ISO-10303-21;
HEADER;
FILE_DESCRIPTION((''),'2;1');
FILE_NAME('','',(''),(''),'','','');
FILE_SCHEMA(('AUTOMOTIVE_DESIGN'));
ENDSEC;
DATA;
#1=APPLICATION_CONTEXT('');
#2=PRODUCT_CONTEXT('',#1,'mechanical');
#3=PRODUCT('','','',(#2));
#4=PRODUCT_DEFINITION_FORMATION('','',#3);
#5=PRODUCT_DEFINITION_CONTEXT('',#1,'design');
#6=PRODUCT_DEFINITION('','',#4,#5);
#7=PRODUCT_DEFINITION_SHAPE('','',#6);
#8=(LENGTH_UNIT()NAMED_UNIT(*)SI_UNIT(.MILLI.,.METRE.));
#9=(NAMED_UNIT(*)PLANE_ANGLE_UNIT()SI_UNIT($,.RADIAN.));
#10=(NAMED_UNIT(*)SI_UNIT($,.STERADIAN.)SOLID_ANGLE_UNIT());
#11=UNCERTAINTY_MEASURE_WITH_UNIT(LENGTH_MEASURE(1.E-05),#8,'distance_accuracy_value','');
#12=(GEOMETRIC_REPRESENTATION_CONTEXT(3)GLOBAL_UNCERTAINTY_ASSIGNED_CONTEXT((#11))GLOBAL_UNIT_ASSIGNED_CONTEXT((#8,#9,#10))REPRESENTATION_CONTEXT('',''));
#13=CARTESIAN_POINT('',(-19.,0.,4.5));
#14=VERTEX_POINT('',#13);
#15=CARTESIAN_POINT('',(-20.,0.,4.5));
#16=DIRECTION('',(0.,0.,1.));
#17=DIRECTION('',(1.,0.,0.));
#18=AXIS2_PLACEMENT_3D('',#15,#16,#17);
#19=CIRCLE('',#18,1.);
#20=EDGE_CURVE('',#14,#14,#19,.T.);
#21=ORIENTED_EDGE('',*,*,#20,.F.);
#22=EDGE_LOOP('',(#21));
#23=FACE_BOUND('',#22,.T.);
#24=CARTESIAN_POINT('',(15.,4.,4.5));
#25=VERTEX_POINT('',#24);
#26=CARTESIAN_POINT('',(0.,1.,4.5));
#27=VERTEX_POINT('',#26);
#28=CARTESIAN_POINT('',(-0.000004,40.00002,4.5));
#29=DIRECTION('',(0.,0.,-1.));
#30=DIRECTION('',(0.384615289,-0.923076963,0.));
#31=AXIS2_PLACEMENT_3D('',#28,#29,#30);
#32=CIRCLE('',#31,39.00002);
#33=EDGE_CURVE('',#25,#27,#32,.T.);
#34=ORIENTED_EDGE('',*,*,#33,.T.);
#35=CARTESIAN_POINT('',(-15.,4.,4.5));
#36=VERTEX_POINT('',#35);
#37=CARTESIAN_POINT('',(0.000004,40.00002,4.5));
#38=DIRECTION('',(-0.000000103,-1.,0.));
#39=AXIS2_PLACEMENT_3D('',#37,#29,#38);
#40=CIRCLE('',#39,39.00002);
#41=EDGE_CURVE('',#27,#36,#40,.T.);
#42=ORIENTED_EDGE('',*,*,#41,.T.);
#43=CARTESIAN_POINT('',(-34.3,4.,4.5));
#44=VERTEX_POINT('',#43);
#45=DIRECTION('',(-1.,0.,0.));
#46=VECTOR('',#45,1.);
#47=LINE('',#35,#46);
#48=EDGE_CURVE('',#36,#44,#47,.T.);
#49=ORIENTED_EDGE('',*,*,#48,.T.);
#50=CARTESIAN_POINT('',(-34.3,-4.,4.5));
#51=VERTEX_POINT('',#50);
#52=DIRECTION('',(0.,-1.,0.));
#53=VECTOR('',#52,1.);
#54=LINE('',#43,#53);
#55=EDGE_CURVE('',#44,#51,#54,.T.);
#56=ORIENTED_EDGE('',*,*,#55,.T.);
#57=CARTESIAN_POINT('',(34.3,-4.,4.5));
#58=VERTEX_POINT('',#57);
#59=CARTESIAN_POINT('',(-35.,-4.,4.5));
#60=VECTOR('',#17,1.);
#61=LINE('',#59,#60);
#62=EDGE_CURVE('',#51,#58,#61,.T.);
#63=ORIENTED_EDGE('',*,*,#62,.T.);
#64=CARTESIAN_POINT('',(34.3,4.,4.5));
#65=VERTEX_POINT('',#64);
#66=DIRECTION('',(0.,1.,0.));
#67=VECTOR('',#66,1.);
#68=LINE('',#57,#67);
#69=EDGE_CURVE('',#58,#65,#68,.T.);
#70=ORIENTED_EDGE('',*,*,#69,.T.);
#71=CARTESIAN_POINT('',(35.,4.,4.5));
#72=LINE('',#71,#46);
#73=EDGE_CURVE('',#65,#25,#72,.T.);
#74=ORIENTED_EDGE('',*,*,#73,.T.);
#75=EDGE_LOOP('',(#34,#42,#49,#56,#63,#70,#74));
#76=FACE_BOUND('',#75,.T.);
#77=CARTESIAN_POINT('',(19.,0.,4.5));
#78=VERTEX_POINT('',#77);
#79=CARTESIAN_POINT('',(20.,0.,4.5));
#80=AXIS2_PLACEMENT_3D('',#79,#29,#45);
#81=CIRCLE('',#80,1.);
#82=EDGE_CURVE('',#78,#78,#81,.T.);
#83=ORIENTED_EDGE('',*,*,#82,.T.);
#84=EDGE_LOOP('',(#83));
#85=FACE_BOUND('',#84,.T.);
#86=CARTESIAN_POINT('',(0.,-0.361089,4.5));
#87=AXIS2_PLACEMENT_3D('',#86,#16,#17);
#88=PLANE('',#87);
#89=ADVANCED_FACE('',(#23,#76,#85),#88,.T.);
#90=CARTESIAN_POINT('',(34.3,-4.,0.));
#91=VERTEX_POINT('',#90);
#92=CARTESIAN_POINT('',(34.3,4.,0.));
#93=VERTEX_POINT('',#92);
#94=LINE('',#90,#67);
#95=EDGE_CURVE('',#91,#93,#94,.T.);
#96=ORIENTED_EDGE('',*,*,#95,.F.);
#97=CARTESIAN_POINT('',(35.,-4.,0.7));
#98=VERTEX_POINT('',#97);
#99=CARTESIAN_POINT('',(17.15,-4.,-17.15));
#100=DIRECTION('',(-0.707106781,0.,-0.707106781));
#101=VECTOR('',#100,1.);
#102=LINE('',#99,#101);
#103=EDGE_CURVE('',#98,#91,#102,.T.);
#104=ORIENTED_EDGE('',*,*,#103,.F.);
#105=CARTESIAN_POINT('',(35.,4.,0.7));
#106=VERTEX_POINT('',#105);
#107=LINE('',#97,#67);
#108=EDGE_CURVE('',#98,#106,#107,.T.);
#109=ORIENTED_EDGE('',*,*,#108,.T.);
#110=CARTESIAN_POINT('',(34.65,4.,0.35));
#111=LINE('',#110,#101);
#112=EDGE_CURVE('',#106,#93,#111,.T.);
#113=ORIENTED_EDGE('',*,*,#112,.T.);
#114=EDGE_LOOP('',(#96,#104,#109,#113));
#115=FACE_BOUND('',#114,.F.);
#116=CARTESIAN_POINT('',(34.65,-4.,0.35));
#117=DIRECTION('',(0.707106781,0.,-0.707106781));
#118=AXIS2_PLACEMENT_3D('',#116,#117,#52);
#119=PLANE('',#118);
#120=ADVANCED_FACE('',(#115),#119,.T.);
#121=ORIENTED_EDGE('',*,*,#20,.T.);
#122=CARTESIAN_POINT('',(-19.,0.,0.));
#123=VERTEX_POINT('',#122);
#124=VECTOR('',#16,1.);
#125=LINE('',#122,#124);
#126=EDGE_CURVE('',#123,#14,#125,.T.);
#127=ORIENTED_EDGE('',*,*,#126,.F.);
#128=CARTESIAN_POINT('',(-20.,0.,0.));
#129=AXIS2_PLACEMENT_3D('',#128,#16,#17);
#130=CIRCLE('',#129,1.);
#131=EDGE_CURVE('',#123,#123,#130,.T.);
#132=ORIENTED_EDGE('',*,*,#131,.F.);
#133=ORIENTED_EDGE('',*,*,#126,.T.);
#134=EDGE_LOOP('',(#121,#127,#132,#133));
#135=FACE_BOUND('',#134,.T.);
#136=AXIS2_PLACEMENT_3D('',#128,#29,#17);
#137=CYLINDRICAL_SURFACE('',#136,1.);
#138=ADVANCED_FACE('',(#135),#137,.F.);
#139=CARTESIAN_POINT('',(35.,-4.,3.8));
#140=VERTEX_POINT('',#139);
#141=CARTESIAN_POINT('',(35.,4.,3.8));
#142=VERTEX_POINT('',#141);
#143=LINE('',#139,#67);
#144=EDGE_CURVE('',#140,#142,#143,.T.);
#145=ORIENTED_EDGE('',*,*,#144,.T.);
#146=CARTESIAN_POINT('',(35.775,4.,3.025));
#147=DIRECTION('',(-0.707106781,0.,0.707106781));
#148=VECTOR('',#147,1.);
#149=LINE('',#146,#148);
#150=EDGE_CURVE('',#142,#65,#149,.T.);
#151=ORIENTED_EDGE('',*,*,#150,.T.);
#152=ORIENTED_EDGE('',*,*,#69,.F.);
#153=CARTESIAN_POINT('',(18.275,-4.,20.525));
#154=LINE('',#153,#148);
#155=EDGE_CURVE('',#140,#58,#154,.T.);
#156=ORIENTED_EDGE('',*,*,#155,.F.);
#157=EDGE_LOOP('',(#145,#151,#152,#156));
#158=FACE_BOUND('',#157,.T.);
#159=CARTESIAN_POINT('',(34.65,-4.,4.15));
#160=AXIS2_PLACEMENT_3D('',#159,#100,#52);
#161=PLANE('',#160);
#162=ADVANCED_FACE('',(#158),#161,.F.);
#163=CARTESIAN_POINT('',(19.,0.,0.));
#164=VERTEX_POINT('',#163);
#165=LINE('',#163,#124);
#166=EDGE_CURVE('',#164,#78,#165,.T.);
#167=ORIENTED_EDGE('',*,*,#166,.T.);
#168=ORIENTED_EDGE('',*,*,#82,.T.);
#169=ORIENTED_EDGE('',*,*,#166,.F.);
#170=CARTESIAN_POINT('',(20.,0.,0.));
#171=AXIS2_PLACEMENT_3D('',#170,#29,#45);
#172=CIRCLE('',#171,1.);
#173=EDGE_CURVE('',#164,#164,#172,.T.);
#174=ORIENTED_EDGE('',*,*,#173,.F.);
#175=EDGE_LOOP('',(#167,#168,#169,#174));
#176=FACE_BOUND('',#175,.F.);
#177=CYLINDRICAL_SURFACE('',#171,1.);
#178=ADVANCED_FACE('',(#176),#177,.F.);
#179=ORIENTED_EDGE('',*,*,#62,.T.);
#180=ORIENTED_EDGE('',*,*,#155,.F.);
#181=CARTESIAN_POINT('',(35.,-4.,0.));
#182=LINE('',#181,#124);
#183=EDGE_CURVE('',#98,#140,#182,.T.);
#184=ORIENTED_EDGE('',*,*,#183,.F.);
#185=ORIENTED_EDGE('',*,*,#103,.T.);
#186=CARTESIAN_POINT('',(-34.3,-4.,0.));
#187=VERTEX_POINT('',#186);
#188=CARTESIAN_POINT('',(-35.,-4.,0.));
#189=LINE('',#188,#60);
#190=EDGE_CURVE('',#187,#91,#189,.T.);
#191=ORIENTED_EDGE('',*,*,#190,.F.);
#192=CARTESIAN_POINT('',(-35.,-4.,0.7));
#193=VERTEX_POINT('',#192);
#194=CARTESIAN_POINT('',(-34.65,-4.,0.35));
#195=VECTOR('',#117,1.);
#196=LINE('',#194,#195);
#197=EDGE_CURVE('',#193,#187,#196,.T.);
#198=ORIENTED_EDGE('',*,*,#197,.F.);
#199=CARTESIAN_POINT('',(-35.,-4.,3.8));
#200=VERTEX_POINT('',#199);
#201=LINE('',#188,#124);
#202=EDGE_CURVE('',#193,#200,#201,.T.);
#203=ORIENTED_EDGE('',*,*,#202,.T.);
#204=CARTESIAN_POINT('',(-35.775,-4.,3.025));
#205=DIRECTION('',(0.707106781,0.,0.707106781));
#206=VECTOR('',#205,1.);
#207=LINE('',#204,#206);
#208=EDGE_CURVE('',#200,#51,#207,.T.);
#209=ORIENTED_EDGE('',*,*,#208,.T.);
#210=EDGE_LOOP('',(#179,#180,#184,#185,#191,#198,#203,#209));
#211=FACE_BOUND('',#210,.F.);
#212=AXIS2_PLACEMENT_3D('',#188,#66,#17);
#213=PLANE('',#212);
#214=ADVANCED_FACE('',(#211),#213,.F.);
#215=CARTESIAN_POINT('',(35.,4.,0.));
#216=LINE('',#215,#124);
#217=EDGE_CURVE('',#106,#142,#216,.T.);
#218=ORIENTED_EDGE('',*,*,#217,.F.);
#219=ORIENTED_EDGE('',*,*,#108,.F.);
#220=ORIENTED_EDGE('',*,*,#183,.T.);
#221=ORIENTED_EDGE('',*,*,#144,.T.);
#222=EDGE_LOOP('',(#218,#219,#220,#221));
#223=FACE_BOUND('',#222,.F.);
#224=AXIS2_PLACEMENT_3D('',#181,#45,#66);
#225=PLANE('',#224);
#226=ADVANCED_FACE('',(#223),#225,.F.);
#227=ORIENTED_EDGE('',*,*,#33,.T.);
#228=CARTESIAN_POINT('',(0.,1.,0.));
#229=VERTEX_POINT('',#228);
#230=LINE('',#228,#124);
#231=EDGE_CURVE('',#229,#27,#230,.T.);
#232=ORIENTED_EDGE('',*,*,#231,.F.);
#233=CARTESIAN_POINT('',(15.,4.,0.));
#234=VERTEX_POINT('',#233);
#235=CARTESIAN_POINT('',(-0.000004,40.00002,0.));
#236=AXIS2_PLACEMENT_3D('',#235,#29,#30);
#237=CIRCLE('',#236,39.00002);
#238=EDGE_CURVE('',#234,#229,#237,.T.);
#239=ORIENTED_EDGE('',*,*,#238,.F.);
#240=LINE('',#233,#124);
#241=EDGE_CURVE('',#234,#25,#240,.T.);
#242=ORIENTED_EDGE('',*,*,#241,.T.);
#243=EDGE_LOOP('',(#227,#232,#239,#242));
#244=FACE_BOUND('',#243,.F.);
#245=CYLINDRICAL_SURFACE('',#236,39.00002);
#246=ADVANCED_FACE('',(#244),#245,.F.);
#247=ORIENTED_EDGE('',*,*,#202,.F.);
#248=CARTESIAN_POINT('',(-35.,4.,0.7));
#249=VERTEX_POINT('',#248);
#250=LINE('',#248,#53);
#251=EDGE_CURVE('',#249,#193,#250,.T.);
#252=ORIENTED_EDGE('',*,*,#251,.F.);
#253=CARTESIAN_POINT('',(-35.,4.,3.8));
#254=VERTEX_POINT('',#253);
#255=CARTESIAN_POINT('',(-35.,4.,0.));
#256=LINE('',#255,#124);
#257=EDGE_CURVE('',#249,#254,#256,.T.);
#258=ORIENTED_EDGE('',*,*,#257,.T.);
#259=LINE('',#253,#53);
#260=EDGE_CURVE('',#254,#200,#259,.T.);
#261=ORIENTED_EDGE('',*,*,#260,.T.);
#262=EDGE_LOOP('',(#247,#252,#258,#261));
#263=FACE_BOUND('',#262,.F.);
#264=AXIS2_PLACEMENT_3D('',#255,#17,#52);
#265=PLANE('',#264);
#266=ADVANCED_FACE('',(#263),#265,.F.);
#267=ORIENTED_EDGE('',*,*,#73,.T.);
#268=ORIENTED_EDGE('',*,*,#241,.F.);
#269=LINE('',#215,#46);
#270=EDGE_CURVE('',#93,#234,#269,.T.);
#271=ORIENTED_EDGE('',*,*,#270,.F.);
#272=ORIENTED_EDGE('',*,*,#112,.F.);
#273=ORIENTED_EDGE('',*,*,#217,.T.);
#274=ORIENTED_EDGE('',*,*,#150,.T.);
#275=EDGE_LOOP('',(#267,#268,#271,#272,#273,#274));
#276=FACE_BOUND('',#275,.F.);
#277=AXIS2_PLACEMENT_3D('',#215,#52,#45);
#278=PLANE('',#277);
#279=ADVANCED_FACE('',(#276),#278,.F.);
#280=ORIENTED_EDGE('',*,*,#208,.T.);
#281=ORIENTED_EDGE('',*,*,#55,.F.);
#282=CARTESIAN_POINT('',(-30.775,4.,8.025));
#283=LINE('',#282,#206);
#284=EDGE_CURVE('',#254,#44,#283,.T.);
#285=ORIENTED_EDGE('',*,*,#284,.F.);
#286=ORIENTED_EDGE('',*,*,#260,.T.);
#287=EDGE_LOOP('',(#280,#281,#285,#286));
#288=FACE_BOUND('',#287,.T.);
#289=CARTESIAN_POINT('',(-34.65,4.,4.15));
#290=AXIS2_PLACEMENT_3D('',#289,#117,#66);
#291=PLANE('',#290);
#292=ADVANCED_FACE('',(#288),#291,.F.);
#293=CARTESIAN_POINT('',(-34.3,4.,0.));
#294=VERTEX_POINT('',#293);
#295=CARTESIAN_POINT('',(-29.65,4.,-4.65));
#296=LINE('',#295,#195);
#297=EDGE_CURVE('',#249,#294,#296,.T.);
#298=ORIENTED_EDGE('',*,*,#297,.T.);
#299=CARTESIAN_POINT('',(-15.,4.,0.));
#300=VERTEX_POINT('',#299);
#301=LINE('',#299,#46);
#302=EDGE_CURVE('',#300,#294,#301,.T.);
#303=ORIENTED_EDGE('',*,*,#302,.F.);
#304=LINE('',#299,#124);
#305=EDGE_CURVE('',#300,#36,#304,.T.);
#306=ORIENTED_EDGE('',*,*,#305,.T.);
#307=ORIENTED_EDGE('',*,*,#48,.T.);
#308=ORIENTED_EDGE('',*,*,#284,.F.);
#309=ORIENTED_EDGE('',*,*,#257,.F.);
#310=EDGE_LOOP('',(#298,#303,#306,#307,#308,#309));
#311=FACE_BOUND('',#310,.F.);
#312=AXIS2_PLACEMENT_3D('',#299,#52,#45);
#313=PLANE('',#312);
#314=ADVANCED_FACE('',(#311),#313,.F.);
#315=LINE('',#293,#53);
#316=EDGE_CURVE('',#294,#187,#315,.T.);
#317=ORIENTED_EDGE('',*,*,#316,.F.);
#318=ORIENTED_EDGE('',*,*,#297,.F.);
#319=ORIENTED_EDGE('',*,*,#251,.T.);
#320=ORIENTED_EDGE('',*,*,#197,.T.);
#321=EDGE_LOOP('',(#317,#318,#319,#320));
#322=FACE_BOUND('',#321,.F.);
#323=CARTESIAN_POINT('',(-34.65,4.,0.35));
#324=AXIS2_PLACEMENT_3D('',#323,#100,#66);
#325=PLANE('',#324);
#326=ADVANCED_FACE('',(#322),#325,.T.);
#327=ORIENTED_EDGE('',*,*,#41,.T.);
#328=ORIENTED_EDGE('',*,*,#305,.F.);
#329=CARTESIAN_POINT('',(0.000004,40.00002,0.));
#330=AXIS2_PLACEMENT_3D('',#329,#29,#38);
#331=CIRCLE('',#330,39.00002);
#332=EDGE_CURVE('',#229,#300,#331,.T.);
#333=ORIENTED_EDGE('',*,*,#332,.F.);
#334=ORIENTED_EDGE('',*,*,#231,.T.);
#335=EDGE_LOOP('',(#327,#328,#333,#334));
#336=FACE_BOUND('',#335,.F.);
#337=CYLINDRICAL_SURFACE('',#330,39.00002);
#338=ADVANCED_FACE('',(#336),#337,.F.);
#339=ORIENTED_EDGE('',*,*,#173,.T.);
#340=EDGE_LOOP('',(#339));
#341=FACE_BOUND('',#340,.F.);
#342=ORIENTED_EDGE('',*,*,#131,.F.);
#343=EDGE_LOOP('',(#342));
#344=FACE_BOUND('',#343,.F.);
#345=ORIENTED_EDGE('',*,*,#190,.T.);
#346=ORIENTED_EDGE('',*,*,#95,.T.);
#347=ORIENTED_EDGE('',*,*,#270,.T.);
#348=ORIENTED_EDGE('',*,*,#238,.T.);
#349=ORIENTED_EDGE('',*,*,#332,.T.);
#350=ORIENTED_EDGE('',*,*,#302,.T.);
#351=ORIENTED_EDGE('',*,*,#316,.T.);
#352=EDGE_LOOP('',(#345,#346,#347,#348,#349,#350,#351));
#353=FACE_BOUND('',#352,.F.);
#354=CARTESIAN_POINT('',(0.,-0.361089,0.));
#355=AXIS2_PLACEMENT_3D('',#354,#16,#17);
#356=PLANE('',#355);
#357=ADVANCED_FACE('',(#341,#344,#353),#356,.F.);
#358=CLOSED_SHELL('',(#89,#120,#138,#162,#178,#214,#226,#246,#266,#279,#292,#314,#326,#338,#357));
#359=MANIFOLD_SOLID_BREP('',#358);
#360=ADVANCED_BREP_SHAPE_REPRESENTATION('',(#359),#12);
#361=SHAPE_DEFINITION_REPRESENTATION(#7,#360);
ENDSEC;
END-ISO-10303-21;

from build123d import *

# Parameters (mm, degrees)
F0_R     = 1
F1_DEPTH = 4.5
F2_SIZE  = 0.7


with BuildPart() as f1:
    # F0 (on Top) → F1 (new body)
    with BuildSketch(Plane.XY):
        with BuildLine():
            Line((-35, -4), (35, -4))
            Line((35, -4), (35, 4))
            Line((35, 4), (15, 4))
            ThreePointArc((15, 4), (7.648529, 1.757354), (0, 1))
            ThreePointArc((0, 1), (-7.648529, 1.757354), (-15, 4))
            Line((-15, 4), (-35, 4))
            Line((-35, 4), (-35, -4))
        make_face()
        with Locations((-20, 0)):
            Circle(F0_R, mode=Mode.SUBTRACT)
        with BuildLine():
            ThreePointArc((21, 0), (20, -1), (19, 0))
            ThreePointArc((19, 0), (20, 1), (21, 0))
        make_face(mode=Mode.SUBTRACT)
    extrude(amount=F1_DEPTH)

    # F2
    f2_edges = [f1.edges().sort_by_distance(p)[0] for p in [
        (-35, 0, 4.5),
        (35, 0, 4.5),
        (-35, 0, 0),
        (35, 0, 0),
    ]]
    chamfer(f2_edges, length=F2_SIZE)


solid = f1.part
